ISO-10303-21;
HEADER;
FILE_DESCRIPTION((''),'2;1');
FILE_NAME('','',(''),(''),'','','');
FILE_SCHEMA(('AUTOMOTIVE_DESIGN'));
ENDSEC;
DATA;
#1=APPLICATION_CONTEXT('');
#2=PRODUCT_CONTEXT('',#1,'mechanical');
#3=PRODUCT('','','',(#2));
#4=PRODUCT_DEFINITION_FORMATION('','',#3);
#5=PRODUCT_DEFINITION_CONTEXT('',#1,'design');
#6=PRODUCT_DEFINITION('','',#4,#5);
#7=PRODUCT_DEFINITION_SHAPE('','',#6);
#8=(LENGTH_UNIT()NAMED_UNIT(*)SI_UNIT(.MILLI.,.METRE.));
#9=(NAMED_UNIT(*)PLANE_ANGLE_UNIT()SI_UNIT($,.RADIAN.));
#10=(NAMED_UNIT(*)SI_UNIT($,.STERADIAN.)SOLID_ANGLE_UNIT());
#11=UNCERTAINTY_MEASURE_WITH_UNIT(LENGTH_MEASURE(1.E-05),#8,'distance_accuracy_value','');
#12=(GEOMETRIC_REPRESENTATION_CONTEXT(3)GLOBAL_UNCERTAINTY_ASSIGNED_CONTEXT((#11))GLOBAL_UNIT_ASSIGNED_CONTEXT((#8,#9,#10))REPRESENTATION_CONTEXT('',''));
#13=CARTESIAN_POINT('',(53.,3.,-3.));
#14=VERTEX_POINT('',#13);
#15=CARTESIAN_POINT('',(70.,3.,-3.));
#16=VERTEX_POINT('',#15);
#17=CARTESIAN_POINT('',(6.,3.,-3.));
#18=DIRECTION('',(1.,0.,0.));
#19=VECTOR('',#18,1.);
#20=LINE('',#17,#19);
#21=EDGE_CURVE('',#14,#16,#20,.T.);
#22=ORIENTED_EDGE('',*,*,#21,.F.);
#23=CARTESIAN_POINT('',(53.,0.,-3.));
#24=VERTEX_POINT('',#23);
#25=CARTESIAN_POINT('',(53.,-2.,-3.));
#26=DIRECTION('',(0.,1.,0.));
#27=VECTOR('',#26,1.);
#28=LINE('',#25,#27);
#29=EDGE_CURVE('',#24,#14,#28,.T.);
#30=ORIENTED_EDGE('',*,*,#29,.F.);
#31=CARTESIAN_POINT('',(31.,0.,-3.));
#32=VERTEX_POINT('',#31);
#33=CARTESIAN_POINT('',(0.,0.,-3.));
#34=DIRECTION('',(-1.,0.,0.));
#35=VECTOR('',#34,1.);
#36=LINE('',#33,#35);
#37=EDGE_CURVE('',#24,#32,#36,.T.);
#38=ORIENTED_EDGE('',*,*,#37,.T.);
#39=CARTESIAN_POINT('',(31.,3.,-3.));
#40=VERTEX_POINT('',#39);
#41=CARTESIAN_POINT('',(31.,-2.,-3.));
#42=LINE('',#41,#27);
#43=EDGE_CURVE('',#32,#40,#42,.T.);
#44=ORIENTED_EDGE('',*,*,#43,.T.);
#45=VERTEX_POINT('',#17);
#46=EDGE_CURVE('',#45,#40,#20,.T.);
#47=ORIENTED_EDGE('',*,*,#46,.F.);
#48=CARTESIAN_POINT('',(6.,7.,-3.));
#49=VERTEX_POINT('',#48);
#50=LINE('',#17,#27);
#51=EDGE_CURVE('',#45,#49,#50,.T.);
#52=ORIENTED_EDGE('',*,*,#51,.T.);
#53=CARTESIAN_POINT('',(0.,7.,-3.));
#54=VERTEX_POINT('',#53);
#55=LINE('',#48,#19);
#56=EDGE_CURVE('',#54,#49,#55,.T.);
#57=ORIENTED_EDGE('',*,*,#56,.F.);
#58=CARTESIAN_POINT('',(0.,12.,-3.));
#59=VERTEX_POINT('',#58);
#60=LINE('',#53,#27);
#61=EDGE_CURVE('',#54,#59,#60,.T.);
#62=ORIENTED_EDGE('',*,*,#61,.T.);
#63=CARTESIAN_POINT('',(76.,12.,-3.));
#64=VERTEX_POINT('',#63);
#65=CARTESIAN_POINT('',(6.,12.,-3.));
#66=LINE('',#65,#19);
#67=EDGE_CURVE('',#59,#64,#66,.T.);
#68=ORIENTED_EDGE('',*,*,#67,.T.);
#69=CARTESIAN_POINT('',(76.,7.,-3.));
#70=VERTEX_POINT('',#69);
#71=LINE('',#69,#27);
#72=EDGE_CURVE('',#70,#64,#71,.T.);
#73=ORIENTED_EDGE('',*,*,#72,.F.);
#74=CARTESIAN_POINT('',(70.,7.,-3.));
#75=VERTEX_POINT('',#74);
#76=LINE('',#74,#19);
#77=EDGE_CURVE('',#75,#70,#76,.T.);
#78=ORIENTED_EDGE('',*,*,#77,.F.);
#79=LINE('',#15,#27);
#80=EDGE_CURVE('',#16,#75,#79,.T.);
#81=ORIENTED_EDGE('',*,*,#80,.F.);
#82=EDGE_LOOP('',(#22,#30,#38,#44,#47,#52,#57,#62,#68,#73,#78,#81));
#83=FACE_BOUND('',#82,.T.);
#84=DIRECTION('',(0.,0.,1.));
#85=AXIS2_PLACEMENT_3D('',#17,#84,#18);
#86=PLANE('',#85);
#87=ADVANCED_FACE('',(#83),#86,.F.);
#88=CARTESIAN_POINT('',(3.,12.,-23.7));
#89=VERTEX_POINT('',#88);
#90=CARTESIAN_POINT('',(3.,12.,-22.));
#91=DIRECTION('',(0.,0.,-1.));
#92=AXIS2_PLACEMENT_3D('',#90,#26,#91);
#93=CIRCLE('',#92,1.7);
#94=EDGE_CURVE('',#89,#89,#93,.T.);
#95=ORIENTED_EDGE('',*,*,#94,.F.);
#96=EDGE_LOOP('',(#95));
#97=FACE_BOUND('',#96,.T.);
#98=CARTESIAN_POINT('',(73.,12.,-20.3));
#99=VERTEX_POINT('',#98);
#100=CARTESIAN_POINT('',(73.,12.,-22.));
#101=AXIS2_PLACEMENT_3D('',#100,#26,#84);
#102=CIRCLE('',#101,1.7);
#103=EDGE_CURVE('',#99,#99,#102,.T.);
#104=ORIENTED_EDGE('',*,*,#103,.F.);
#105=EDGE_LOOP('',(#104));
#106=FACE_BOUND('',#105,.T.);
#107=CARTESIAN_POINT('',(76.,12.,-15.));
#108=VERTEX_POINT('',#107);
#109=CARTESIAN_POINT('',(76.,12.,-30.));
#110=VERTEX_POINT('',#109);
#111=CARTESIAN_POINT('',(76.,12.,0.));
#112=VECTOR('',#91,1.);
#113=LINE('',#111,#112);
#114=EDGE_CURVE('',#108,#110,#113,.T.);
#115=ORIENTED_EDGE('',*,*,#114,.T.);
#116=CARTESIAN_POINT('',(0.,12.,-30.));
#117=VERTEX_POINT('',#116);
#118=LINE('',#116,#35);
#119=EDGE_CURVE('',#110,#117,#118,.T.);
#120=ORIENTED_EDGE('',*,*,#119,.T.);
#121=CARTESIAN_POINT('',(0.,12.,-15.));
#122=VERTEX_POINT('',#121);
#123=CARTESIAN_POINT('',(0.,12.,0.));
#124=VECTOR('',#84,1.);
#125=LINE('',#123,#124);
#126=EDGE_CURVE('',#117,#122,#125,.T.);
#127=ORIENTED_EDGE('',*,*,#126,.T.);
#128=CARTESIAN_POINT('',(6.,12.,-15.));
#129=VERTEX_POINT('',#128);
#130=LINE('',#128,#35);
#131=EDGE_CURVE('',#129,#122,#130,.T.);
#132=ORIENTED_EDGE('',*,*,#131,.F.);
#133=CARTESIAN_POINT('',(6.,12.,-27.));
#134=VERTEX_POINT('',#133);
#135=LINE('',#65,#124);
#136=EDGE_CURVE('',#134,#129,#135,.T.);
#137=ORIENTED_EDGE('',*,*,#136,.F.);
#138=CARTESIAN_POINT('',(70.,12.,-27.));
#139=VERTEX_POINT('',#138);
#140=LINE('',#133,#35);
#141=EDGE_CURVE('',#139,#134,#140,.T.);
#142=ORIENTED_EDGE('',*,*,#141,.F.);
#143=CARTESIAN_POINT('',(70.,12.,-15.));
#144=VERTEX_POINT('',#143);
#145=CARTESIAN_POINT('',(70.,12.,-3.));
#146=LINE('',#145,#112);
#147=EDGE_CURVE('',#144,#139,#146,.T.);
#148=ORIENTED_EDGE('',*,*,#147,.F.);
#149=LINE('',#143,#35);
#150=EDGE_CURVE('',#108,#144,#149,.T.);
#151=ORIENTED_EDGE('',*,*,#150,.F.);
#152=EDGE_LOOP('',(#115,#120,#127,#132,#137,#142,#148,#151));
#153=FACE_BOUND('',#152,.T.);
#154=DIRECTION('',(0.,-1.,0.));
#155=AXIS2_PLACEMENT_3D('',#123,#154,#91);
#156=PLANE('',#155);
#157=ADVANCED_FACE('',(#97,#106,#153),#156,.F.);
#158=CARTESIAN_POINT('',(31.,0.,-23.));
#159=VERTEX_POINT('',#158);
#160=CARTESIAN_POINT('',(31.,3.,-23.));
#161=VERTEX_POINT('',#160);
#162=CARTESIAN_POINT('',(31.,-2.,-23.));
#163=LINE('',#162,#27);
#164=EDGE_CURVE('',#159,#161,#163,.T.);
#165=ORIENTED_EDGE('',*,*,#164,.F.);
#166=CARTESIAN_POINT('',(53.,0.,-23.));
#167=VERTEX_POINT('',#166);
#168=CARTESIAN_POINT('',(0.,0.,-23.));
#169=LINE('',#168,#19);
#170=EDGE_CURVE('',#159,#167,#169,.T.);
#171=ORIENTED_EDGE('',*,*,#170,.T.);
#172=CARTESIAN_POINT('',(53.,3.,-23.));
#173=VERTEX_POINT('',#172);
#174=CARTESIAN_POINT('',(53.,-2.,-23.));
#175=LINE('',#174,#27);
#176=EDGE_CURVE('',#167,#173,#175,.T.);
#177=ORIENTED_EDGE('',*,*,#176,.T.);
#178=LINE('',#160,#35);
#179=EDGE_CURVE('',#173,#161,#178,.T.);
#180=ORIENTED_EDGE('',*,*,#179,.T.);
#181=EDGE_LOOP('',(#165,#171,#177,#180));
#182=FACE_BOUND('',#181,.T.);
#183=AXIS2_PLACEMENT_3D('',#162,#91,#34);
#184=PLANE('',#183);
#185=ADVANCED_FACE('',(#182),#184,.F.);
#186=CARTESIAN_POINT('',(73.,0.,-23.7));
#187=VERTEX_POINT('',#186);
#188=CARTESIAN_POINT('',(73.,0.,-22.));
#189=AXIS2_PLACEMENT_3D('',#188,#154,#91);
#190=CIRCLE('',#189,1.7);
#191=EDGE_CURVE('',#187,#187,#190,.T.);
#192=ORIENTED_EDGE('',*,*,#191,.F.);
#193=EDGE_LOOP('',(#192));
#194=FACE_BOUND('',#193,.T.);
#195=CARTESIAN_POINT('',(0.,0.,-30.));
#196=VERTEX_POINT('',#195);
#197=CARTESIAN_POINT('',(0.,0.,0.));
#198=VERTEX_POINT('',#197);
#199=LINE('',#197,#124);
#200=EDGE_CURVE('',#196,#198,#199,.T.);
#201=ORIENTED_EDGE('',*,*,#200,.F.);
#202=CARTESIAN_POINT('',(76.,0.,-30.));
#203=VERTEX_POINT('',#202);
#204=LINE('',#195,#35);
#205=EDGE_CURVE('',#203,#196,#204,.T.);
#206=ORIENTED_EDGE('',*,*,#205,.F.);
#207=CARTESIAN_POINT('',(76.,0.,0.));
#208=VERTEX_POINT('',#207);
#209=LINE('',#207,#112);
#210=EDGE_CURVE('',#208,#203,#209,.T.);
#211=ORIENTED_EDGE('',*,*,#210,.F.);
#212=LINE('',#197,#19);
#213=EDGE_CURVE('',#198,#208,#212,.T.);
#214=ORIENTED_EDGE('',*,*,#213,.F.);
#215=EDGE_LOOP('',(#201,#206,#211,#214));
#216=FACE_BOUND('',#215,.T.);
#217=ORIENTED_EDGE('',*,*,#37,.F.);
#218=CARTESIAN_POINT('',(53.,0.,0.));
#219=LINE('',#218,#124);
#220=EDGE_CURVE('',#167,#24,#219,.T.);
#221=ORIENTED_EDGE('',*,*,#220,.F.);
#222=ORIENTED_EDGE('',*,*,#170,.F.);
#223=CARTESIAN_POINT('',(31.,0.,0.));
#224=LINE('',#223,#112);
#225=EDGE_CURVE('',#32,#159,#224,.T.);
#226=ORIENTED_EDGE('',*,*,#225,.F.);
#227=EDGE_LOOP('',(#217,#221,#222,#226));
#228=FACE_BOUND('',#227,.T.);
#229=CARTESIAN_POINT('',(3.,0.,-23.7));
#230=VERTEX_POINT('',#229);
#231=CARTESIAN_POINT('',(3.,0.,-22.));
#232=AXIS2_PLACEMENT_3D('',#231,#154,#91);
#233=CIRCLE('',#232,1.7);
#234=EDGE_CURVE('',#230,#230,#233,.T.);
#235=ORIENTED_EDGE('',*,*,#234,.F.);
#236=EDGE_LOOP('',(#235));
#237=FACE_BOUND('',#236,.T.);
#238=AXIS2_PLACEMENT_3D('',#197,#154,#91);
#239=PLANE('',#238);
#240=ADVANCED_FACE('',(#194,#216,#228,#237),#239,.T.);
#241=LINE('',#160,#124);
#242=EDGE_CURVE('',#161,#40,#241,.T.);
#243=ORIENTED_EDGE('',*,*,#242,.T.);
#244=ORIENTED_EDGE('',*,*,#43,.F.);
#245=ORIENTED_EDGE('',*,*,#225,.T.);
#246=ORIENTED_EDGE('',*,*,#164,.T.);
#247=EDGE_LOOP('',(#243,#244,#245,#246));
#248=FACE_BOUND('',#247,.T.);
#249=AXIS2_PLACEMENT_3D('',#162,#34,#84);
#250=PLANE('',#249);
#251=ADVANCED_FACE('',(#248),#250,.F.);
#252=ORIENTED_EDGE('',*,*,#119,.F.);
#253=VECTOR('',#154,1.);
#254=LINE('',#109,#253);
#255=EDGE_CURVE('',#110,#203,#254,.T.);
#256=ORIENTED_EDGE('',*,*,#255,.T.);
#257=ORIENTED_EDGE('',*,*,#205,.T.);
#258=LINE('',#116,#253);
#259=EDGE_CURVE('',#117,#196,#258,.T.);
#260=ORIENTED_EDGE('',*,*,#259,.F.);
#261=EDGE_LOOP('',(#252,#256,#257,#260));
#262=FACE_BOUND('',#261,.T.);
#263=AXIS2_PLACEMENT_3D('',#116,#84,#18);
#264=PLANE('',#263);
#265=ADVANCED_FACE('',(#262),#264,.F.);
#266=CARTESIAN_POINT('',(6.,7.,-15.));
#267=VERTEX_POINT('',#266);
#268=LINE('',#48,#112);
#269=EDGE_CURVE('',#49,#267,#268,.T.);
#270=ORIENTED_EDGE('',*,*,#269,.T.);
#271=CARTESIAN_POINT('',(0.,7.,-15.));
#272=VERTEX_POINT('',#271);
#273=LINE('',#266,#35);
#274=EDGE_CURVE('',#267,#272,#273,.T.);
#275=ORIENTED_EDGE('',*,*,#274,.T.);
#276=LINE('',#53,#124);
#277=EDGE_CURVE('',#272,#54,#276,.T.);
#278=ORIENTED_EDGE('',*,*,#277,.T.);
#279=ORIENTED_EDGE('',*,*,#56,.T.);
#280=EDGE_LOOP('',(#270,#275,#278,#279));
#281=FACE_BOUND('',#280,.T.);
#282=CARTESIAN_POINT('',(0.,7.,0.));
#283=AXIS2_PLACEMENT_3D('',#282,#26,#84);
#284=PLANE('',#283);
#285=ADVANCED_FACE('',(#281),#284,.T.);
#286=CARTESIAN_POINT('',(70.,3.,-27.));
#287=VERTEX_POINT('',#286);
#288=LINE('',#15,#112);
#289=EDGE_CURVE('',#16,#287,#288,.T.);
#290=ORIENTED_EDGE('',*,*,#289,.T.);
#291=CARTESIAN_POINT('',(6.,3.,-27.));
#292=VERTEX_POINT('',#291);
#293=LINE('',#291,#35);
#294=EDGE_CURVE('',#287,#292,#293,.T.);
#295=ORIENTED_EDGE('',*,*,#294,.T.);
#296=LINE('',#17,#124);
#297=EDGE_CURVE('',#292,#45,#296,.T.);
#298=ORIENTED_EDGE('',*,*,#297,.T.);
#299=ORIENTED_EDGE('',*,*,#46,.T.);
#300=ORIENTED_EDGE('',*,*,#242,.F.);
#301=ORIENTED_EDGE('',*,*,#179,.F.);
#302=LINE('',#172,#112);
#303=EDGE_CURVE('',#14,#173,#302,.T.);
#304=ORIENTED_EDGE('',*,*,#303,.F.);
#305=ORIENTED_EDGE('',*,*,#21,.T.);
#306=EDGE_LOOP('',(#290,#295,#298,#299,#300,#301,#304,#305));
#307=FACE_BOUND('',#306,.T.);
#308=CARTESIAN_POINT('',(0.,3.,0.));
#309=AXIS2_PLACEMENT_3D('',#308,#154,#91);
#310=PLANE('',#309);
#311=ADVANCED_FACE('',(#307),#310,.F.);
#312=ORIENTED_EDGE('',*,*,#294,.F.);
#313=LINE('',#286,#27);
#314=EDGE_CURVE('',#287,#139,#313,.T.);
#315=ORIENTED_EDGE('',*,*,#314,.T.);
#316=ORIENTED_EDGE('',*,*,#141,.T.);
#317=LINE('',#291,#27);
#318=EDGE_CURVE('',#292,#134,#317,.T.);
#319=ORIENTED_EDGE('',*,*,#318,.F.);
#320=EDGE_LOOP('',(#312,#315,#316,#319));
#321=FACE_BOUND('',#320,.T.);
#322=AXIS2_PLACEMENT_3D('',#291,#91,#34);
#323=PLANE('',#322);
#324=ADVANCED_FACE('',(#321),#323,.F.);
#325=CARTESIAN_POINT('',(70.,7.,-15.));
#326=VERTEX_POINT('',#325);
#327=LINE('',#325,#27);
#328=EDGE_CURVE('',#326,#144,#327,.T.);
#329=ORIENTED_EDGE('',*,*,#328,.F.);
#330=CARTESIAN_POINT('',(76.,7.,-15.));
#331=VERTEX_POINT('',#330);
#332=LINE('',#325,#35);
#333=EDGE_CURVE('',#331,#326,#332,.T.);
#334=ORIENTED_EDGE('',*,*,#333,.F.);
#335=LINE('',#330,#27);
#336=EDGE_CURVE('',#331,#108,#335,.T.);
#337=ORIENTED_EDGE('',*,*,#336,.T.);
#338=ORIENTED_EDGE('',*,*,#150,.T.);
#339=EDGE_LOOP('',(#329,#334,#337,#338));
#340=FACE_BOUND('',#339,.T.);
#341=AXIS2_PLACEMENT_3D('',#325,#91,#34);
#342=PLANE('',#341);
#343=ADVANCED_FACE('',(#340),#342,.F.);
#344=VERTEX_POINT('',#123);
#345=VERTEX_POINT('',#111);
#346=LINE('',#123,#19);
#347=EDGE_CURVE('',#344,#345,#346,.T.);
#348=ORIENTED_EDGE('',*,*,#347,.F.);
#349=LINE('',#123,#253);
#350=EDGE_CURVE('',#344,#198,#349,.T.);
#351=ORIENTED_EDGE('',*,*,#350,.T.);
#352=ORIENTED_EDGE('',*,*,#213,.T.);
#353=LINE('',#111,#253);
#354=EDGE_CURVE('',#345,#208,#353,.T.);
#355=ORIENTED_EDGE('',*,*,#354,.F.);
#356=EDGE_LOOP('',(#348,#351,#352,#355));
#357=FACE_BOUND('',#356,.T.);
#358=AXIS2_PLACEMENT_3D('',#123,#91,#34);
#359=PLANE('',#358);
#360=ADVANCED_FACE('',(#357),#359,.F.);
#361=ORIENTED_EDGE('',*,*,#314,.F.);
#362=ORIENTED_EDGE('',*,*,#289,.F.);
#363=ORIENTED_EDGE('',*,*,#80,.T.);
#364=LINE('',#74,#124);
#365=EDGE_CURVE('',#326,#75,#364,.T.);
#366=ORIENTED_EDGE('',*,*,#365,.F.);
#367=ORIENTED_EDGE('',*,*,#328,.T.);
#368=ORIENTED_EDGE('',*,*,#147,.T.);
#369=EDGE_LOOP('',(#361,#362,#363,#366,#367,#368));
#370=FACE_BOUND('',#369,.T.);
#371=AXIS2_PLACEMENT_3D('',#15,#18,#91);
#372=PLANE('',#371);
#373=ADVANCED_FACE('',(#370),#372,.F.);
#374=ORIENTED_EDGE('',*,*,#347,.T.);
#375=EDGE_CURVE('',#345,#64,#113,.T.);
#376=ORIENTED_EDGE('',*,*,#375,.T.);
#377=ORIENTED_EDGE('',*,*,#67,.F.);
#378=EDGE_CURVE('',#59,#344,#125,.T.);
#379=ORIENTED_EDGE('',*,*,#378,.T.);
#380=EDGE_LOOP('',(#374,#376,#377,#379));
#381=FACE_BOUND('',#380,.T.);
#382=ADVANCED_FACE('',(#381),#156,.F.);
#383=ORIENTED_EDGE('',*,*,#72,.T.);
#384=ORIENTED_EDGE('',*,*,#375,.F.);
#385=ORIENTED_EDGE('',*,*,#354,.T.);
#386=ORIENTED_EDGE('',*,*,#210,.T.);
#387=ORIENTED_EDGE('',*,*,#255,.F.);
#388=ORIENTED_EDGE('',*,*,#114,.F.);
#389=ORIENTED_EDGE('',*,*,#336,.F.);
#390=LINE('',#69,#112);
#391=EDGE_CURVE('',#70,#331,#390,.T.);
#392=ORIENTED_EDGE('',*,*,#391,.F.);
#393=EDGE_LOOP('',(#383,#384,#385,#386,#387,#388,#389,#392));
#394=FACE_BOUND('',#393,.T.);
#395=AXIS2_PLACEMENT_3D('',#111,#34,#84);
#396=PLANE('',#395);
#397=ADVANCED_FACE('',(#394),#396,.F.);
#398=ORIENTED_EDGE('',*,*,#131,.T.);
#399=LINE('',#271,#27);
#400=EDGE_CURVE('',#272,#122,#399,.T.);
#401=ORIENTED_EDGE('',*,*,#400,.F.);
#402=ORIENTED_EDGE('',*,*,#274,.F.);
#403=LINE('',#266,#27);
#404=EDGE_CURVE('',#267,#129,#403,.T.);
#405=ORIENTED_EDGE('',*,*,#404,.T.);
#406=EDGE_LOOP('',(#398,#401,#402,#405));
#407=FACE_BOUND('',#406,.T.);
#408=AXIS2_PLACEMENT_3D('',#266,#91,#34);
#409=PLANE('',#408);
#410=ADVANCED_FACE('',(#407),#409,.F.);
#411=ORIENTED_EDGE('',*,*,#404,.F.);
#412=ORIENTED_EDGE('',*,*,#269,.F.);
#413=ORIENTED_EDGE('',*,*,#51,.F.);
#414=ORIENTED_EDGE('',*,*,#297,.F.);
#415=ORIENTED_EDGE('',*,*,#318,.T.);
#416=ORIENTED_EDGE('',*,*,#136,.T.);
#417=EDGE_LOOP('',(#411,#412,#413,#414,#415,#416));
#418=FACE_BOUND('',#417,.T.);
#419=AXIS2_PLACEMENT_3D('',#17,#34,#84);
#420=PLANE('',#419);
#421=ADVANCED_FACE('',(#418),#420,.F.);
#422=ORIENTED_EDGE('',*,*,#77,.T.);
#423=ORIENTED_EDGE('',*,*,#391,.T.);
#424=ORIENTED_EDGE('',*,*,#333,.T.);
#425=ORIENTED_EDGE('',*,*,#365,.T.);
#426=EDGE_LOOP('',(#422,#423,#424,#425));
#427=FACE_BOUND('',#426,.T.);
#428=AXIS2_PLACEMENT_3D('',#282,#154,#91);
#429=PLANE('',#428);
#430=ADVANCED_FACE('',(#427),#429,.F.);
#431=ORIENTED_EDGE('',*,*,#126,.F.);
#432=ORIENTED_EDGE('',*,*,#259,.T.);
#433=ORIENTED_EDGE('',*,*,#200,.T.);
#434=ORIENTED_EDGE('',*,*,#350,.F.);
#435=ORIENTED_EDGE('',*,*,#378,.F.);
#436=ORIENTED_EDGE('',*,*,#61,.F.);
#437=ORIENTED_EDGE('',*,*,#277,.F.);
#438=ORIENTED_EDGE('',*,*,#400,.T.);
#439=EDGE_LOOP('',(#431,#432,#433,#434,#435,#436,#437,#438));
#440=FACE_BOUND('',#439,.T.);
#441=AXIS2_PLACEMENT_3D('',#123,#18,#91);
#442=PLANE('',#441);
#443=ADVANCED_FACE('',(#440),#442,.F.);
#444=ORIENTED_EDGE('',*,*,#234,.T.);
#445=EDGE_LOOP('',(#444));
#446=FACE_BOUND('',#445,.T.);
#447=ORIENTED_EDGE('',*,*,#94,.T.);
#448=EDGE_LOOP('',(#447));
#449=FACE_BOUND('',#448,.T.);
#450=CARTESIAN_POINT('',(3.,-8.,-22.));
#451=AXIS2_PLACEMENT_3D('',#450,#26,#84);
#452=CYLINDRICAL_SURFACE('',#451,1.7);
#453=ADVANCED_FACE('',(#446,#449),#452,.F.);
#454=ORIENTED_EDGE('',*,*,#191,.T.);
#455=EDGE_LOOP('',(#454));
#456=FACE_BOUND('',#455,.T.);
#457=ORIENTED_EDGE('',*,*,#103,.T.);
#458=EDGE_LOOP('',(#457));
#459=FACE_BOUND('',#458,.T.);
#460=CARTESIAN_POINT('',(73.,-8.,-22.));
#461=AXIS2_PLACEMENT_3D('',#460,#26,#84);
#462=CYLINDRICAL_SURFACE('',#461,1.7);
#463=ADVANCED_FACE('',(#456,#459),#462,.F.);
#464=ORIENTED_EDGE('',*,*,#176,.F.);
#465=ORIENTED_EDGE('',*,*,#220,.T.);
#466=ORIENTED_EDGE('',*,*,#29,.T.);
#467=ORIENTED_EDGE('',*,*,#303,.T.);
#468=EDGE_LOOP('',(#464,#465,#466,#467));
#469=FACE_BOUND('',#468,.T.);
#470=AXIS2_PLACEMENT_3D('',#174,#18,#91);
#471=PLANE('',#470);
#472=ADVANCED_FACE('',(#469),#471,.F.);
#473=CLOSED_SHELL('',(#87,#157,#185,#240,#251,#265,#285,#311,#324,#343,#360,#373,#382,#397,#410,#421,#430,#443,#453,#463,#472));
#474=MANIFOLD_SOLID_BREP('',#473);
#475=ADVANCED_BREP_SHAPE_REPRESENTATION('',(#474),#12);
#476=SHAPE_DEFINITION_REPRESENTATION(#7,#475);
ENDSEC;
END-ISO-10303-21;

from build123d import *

# Parameters (mm, degrees)
SKETCH1_W           = 76
SKETCH1_H           = 30
BOSS_EXTRUDE1_DEPTH = 12
SKETCH2_W           = 64
SKETCH2_H           = 24
CUT_EXTRUDE1_DEPTH  = 9
SKETCH3_R           = 1.7
CUT_EXTRUDE2_DEPTH  = 20
SKETCH4_W           = 6
SKETCH4_H           = 12
CUT_EXTRUDE3_DEPTH  = 5
SKETCH5_W           = 22
SKETCH5_H           = 20
CUT_EXTRUDE4_DEPTH  = 5


with BuildPart() as part:
    # Sketch1 → Boss-Extrude1 (new body)
    with BuildSketch(Plane(origin=(0, 0, 0), x_dir=(1, 0, 0), z_dir=(0, 1, 0))):
        with Locations((38, 15)):
            Rectangle(SKETCH1_W, SKETCH1_H)
    extrude(amount=BOSS_EXTRUDE1_DEPTH)

    # Sketch2 → Cut-Extrude1 (cut)
    with BuildSketch(Plane(origin=(0, 12, 0), x_dir=(1, 0, 0), z_dir=(0, 1, 0))):
        with Locations((38, 15)):
            Rectangle(SKETCH2_W, SKETCH2_H)
    extrude(amount=-CUT_EXTRUDE1_DEPTH, mode=Mode.SUBTRACT)

    # Sketch3 → Cut-Extrude2 (cut)
    with BuildSketch(Plane(origin=(0, 12, 0), x_dir=(1, 0, 0), z_dir=(0, 1, 0))):
        with Locations((73, 22)):
            Circle(SKETCH3_R)
        with Locations((3, 22)):
            Circle(SKETCH3_R)
    extrude(amount=-CUT_EXTRUDE2_DEPTH, mode=Mode.SUBTRACT)

    # Sketch4 → Cut-Extrude3 (cut)
    with BuildSketch(Plane(origin=(0, 12, 0), x_dir=(1, 0, 0), z_dir=(0, 1, 0))):
        with Locations((73, 9)):
            Rectangle(SKETCH4_W, SKETCH4_H)
        with Locations((3, 9)):
            Rectangle(SKETCH4_W, SKETCH4_H)
    extrude(amount=-CUT_EXTRUDE3_DEPTH, mode=Mode.SUBTRACT)

    # Sketch5 → Cut-Extrude4 (cut)
    with BuildSketch(Plane(origin=(0, 3, 0), x_dir=(1, 0, 0), z_dir=(0, 1, 0))):
        with Locations((42, 13)):
            Rectangle(SKETCH5_W, SKETCH5_H)
    extrude(amount=-CUT_EXTRUDE4_DEPTH, mode=Mode.SUBTRACT)


solid = part.part
